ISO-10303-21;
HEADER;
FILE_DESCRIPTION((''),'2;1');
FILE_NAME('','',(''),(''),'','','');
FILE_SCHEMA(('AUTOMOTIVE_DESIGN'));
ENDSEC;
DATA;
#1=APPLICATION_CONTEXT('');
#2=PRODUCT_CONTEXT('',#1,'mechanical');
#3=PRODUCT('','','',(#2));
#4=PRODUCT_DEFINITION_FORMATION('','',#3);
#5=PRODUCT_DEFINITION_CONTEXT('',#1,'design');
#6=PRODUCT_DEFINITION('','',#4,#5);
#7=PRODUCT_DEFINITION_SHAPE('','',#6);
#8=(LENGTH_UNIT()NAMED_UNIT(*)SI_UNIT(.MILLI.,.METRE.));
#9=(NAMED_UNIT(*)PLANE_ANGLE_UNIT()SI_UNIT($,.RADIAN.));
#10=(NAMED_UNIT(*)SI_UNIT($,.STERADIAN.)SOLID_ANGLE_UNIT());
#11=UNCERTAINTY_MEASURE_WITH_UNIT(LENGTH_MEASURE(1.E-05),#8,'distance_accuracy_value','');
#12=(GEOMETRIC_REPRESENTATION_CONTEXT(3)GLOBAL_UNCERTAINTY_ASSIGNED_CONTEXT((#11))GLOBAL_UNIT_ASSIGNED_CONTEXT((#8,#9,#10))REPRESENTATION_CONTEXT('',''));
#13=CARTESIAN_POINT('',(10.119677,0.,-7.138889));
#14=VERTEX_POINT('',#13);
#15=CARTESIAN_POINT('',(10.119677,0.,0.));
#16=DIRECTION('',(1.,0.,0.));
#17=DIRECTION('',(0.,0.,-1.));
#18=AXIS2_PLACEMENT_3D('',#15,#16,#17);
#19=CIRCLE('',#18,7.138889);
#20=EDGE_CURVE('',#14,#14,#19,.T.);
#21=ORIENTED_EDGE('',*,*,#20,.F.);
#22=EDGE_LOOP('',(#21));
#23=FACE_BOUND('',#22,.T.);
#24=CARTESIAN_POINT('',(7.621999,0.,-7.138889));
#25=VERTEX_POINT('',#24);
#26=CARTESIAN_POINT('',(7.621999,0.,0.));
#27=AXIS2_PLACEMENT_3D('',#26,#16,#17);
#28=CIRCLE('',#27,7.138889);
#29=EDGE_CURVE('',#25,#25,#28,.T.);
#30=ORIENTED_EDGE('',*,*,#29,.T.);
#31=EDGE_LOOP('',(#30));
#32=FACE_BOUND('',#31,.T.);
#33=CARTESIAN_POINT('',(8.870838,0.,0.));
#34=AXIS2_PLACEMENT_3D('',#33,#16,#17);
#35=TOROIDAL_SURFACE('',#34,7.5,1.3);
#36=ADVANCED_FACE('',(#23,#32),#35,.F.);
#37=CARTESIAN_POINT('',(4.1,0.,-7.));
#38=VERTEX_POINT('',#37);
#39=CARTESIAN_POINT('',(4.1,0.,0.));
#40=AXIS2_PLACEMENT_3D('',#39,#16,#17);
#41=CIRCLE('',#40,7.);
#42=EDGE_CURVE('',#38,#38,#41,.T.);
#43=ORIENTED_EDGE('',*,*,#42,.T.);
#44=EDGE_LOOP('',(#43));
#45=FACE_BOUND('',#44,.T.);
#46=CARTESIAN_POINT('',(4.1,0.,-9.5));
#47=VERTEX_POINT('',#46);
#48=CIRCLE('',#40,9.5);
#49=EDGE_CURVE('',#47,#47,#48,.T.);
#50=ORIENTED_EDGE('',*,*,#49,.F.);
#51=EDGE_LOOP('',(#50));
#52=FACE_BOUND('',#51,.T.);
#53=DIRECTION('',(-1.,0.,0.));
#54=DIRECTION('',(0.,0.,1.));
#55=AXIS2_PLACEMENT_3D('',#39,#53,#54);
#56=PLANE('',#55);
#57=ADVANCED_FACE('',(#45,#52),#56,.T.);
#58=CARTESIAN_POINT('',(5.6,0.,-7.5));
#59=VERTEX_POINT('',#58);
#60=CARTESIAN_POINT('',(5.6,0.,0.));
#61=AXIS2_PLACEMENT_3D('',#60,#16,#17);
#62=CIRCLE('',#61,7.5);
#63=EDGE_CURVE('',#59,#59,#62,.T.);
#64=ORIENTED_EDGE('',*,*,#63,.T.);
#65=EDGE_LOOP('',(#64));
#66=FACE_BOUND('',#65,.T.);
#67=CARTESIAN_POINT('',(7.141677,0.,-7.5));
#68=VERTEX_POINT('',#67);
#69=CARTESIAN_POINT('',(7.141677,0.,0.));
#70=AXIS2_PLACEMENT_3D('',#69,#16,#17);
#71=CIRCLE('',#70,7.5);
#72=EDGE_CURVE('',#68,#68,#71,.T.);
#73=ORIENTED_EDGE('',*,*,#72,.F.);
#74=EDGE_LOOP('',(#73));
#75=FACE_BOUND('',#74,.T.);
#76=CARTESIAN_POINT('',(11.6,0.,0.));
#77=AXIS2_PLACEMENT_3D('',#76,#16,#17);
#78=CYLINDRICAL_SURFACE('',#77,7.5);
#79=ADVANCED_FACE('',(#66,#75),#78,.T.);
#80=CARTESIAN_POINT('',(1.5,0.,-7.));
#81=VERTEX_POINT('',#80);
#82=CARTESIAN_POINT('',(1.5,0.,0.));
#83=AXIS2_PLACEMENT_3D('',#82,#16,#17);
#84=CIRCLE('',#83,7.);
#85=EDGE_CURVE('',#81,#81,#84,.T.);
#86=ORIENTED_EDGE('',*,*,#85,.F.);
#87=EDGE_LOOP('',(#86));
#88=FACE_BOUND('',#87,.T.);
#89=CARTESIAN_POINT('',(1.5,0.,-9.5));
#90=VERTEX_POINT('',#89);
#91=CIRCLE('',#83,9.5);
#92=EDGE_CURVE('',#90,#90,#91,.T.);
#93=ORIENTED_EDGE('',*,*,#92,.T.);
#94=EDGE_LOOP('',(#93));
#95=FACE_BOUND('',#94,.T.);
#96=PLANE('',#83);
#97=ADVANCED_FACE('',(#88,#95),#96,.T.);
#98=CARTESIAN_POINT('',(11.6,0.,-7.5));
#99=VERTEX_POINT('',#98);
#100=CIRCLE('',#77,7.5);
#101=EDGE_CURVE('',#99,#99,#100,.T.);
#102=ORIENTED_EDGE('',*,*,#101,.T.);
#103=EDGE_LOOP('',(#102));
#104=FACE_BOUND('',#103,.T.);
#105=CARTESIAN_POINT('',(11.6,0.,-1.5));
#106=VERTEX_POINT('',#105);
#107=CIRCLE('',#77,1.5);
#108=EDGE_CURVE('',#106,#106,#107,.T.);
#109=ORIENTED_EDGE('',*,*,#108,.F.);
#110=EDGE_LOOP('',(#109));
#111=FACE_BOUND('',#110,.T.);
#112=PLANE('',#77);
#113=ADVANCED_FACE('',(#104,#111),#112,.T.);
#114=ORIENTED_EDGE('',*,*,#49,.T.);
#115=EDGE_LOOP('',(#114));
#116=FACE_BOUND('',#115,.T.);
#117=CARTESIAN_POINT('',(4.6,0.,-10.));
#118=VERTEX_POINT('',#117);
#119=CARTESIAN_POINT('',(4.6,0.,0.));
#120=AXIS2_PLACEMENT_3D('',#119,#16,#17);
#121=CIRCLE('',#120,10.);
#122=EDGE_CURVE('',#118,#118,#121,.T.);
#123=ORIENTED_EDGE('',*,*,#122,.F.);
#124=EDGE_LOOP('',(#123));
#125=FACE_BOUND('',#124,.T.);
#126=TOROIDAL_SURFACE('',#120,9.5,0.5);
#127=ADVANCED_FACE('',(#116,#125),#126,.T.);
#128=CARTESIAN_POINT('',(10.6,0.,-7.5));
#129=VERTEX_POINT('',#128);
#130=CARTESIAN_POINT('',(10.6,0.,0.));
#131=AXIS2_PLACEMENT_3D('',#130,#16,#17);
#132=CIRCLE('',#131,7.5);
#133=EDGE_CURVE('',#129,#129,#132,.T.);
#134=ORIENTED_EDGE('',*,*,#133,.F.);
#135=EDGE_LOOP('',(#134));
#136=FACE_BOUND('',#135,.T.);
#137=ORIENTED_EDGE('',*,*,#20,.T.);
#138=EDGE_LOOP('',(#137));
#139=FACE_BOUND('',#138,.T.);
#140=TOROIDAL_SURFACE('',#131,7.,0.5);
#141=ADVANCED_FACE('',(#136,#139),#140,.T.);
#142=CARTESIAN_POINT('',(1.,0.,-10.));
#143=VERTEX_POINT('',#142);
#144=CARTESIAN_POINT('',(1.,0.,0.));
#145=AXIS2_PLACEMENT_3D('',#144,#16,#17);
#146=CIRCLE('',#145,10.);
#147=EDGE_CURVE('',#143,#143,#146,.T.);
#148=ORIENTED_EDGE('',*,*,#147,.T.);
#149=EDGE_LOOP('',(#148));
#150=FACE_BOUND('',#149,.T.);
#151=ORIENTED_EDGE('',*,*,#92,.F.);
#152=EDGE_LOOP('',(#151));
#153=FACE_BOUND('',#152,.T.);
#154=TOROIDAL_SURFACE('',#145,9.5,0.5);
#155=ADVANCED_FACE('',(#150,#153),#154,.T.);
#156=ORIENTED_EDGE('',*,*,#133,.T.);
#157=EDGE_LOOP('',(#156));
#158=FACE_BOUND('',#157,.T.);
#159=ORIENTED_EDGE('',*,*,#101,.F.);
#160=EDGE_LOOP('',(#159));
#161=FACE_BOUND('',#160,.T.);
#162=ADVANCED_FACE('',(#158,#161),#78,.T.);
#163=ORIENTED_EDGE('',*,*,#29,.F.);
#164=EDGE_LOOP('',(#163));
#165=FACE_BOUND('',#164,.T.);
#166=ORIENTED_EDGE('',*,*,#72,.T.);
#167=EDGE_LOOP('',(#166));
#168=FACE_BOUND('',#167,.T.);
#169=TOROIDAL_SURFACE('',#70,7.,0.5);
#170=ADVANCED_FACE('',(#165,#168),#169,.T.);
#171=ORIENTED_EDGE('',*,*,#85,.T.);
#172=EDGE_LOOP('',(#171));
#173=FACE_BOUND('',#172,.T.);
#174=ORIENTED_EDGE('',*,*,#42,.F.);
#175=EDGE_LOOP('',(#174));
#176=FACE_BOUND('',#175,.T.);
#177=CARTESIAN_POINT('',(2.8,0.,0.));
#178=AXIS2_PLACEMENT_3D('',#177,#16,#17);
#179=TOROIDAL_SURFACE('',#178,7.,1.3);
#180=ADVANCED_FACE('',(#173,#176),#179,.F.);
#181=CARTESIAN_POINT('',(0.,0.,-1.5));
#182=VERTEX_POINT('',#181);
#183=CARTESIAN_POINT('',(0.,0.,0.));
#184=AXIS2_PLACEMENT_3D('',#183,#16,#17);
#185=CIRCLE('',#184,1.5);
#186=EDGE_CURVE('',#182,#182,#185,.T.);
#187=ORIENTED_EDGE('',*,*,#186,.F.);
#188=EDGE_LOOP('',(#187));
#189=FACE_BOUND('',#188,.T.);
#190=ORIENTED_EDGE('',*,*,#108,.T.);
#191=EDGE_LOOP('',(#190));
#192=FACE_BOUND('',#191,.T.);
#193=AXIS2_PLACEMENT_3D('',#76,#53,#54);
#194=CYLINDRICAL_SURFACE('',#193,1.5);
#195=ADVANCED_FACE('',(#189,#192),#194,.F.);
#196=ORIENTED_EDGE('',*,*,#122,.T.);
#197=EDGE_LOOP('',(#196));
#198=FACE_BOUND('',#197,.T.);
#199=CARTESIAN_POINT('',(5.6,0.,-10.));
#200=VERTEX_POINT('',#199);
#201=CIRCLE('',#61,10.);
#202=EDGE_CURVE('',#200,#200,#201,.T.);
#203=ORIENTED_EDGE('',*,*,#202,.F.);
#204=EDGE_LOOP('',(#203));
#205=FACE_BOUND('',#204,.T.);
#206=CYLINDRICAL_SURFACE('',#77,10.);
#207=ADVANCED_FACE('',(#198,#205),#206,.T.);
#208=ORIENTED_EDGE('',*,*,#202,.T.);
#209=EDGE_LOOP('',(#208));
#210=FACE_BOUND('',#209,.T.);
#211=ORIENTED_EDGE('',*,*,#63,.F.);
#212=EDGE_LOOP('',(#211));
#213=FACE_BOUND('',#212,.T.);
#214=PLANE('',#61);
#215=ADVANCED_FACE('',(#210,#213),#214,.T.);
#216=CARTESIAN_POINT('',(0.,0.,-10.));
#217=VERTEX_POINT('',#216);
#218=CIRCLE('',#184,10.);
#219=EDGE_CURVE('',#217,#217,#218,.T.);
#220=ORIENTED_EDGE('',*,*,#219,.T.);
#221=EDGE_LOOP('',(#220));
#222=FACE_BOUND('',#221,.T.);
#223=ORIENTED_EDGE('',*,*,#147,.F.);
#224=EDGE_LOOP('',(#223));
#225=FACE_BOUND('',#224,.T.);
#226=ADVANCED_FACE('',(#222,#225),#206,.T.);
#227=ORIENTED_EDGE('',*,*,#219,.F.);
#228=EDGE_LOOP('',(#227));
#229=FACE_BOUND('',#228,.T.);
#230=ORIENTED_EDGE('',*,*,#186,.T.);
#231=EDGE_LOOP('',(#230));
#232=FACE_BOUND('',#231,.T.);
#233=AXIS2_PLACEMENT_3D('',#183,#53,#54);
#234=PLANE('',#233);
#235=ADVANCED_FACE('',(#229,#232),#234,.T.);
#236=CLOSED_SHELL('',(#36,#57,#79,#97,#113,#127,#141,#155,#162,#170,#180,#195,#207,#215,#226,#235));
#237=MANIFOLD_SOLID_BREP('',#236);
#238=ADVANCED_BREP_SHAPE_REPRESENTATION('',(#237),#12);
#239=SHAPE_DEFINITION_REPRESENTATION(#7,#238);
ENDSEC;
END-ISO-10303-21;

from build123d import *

# Parameters (mm, degrees)
SKETCH2_R          = 1.5
CUT_EXTRUDE1_DEPTH = 19.290981439


with BuildPart() as part:
    # Sketch1 → Revolve1 (revolve)
    with BuildSketch(Plane(origin=(0, 0, 0), x_dir=(-1, 0, 0), z_dir=(0, 1, 0))):
        with BuildLine():
            Line((-5.6, 7.5), (-5.6, 0))
            Line((-5.6, 0), (0, 0))
            Line((0, 0), (0, 10))
            Line((0, 10), (-1, 10))
            ThreePointArc((-1, 10), (-1.353553391, 9.853553391), (-1.5, 9.5))
            Line((-1.5, 9.5), (-1.5, 7))
            ThreePointArc((-1.5, 7), (-2.8, 5.7), (-4.1, 7))
            Line((-4.1, 7), (-4.1, 9.5))
            ThreePointArc((-4.1, 9.5), (-4.246446609, 9.853553391), (-4.6, 10))
            Line((-4.6, 10), (-5.6, 10))
            Line((-5.6, 10), (-5.6, 7.5))
        make_face()
    revolve(axis=Axis((11.6, 0, 0), (-1, 0, 0)))

    # Sketch1<3> → Revolve2 (revolve)
    with BuildSketch(Plane(origin=(0, 0, 0), x_dir=(-1, 0, 0), z_dir=(0, 1, 0))):
        with BuildLine():
            Line((-11.6, 7.5), (-11.6, 0))
            Line((-11.6, 0), (-5.6, 0))
            Line((-5.6, 0), (-5.6, 7.5))
            Line((-5.6, 7.5), (-7.141676707, 7.5))
            ThreePointArc((-7.141676707, 7.5), (-7.442139313, 7.399652627), (-7.621999386, 7.138888889))
            ThreePointArc((-7.621999386, 7.138888889), (-8.870838353, 6.2), (-10.11967732, 7.138888889))
            ThreePointArc((-10.11967732, 7.138888889), (-10.299537394, 7.399652627), (-10.6, 7.5))
            Line((-10.6, 7.5), (-11.6, 7.5))
        make_face()
    revolve(axis=Axis((11.6, 0, 0), (-1, 0, 0)))

    # Sketch2 → Cut-Extrude1 (cut, through all)
    with BuildSketch(Plane.YZ):
        Circle(SKETCH2_R)
    extrude(amount=CUT_EXTRUDE1_DEPTH, mode=Mode.SUBTRACT)


solid = part.part
